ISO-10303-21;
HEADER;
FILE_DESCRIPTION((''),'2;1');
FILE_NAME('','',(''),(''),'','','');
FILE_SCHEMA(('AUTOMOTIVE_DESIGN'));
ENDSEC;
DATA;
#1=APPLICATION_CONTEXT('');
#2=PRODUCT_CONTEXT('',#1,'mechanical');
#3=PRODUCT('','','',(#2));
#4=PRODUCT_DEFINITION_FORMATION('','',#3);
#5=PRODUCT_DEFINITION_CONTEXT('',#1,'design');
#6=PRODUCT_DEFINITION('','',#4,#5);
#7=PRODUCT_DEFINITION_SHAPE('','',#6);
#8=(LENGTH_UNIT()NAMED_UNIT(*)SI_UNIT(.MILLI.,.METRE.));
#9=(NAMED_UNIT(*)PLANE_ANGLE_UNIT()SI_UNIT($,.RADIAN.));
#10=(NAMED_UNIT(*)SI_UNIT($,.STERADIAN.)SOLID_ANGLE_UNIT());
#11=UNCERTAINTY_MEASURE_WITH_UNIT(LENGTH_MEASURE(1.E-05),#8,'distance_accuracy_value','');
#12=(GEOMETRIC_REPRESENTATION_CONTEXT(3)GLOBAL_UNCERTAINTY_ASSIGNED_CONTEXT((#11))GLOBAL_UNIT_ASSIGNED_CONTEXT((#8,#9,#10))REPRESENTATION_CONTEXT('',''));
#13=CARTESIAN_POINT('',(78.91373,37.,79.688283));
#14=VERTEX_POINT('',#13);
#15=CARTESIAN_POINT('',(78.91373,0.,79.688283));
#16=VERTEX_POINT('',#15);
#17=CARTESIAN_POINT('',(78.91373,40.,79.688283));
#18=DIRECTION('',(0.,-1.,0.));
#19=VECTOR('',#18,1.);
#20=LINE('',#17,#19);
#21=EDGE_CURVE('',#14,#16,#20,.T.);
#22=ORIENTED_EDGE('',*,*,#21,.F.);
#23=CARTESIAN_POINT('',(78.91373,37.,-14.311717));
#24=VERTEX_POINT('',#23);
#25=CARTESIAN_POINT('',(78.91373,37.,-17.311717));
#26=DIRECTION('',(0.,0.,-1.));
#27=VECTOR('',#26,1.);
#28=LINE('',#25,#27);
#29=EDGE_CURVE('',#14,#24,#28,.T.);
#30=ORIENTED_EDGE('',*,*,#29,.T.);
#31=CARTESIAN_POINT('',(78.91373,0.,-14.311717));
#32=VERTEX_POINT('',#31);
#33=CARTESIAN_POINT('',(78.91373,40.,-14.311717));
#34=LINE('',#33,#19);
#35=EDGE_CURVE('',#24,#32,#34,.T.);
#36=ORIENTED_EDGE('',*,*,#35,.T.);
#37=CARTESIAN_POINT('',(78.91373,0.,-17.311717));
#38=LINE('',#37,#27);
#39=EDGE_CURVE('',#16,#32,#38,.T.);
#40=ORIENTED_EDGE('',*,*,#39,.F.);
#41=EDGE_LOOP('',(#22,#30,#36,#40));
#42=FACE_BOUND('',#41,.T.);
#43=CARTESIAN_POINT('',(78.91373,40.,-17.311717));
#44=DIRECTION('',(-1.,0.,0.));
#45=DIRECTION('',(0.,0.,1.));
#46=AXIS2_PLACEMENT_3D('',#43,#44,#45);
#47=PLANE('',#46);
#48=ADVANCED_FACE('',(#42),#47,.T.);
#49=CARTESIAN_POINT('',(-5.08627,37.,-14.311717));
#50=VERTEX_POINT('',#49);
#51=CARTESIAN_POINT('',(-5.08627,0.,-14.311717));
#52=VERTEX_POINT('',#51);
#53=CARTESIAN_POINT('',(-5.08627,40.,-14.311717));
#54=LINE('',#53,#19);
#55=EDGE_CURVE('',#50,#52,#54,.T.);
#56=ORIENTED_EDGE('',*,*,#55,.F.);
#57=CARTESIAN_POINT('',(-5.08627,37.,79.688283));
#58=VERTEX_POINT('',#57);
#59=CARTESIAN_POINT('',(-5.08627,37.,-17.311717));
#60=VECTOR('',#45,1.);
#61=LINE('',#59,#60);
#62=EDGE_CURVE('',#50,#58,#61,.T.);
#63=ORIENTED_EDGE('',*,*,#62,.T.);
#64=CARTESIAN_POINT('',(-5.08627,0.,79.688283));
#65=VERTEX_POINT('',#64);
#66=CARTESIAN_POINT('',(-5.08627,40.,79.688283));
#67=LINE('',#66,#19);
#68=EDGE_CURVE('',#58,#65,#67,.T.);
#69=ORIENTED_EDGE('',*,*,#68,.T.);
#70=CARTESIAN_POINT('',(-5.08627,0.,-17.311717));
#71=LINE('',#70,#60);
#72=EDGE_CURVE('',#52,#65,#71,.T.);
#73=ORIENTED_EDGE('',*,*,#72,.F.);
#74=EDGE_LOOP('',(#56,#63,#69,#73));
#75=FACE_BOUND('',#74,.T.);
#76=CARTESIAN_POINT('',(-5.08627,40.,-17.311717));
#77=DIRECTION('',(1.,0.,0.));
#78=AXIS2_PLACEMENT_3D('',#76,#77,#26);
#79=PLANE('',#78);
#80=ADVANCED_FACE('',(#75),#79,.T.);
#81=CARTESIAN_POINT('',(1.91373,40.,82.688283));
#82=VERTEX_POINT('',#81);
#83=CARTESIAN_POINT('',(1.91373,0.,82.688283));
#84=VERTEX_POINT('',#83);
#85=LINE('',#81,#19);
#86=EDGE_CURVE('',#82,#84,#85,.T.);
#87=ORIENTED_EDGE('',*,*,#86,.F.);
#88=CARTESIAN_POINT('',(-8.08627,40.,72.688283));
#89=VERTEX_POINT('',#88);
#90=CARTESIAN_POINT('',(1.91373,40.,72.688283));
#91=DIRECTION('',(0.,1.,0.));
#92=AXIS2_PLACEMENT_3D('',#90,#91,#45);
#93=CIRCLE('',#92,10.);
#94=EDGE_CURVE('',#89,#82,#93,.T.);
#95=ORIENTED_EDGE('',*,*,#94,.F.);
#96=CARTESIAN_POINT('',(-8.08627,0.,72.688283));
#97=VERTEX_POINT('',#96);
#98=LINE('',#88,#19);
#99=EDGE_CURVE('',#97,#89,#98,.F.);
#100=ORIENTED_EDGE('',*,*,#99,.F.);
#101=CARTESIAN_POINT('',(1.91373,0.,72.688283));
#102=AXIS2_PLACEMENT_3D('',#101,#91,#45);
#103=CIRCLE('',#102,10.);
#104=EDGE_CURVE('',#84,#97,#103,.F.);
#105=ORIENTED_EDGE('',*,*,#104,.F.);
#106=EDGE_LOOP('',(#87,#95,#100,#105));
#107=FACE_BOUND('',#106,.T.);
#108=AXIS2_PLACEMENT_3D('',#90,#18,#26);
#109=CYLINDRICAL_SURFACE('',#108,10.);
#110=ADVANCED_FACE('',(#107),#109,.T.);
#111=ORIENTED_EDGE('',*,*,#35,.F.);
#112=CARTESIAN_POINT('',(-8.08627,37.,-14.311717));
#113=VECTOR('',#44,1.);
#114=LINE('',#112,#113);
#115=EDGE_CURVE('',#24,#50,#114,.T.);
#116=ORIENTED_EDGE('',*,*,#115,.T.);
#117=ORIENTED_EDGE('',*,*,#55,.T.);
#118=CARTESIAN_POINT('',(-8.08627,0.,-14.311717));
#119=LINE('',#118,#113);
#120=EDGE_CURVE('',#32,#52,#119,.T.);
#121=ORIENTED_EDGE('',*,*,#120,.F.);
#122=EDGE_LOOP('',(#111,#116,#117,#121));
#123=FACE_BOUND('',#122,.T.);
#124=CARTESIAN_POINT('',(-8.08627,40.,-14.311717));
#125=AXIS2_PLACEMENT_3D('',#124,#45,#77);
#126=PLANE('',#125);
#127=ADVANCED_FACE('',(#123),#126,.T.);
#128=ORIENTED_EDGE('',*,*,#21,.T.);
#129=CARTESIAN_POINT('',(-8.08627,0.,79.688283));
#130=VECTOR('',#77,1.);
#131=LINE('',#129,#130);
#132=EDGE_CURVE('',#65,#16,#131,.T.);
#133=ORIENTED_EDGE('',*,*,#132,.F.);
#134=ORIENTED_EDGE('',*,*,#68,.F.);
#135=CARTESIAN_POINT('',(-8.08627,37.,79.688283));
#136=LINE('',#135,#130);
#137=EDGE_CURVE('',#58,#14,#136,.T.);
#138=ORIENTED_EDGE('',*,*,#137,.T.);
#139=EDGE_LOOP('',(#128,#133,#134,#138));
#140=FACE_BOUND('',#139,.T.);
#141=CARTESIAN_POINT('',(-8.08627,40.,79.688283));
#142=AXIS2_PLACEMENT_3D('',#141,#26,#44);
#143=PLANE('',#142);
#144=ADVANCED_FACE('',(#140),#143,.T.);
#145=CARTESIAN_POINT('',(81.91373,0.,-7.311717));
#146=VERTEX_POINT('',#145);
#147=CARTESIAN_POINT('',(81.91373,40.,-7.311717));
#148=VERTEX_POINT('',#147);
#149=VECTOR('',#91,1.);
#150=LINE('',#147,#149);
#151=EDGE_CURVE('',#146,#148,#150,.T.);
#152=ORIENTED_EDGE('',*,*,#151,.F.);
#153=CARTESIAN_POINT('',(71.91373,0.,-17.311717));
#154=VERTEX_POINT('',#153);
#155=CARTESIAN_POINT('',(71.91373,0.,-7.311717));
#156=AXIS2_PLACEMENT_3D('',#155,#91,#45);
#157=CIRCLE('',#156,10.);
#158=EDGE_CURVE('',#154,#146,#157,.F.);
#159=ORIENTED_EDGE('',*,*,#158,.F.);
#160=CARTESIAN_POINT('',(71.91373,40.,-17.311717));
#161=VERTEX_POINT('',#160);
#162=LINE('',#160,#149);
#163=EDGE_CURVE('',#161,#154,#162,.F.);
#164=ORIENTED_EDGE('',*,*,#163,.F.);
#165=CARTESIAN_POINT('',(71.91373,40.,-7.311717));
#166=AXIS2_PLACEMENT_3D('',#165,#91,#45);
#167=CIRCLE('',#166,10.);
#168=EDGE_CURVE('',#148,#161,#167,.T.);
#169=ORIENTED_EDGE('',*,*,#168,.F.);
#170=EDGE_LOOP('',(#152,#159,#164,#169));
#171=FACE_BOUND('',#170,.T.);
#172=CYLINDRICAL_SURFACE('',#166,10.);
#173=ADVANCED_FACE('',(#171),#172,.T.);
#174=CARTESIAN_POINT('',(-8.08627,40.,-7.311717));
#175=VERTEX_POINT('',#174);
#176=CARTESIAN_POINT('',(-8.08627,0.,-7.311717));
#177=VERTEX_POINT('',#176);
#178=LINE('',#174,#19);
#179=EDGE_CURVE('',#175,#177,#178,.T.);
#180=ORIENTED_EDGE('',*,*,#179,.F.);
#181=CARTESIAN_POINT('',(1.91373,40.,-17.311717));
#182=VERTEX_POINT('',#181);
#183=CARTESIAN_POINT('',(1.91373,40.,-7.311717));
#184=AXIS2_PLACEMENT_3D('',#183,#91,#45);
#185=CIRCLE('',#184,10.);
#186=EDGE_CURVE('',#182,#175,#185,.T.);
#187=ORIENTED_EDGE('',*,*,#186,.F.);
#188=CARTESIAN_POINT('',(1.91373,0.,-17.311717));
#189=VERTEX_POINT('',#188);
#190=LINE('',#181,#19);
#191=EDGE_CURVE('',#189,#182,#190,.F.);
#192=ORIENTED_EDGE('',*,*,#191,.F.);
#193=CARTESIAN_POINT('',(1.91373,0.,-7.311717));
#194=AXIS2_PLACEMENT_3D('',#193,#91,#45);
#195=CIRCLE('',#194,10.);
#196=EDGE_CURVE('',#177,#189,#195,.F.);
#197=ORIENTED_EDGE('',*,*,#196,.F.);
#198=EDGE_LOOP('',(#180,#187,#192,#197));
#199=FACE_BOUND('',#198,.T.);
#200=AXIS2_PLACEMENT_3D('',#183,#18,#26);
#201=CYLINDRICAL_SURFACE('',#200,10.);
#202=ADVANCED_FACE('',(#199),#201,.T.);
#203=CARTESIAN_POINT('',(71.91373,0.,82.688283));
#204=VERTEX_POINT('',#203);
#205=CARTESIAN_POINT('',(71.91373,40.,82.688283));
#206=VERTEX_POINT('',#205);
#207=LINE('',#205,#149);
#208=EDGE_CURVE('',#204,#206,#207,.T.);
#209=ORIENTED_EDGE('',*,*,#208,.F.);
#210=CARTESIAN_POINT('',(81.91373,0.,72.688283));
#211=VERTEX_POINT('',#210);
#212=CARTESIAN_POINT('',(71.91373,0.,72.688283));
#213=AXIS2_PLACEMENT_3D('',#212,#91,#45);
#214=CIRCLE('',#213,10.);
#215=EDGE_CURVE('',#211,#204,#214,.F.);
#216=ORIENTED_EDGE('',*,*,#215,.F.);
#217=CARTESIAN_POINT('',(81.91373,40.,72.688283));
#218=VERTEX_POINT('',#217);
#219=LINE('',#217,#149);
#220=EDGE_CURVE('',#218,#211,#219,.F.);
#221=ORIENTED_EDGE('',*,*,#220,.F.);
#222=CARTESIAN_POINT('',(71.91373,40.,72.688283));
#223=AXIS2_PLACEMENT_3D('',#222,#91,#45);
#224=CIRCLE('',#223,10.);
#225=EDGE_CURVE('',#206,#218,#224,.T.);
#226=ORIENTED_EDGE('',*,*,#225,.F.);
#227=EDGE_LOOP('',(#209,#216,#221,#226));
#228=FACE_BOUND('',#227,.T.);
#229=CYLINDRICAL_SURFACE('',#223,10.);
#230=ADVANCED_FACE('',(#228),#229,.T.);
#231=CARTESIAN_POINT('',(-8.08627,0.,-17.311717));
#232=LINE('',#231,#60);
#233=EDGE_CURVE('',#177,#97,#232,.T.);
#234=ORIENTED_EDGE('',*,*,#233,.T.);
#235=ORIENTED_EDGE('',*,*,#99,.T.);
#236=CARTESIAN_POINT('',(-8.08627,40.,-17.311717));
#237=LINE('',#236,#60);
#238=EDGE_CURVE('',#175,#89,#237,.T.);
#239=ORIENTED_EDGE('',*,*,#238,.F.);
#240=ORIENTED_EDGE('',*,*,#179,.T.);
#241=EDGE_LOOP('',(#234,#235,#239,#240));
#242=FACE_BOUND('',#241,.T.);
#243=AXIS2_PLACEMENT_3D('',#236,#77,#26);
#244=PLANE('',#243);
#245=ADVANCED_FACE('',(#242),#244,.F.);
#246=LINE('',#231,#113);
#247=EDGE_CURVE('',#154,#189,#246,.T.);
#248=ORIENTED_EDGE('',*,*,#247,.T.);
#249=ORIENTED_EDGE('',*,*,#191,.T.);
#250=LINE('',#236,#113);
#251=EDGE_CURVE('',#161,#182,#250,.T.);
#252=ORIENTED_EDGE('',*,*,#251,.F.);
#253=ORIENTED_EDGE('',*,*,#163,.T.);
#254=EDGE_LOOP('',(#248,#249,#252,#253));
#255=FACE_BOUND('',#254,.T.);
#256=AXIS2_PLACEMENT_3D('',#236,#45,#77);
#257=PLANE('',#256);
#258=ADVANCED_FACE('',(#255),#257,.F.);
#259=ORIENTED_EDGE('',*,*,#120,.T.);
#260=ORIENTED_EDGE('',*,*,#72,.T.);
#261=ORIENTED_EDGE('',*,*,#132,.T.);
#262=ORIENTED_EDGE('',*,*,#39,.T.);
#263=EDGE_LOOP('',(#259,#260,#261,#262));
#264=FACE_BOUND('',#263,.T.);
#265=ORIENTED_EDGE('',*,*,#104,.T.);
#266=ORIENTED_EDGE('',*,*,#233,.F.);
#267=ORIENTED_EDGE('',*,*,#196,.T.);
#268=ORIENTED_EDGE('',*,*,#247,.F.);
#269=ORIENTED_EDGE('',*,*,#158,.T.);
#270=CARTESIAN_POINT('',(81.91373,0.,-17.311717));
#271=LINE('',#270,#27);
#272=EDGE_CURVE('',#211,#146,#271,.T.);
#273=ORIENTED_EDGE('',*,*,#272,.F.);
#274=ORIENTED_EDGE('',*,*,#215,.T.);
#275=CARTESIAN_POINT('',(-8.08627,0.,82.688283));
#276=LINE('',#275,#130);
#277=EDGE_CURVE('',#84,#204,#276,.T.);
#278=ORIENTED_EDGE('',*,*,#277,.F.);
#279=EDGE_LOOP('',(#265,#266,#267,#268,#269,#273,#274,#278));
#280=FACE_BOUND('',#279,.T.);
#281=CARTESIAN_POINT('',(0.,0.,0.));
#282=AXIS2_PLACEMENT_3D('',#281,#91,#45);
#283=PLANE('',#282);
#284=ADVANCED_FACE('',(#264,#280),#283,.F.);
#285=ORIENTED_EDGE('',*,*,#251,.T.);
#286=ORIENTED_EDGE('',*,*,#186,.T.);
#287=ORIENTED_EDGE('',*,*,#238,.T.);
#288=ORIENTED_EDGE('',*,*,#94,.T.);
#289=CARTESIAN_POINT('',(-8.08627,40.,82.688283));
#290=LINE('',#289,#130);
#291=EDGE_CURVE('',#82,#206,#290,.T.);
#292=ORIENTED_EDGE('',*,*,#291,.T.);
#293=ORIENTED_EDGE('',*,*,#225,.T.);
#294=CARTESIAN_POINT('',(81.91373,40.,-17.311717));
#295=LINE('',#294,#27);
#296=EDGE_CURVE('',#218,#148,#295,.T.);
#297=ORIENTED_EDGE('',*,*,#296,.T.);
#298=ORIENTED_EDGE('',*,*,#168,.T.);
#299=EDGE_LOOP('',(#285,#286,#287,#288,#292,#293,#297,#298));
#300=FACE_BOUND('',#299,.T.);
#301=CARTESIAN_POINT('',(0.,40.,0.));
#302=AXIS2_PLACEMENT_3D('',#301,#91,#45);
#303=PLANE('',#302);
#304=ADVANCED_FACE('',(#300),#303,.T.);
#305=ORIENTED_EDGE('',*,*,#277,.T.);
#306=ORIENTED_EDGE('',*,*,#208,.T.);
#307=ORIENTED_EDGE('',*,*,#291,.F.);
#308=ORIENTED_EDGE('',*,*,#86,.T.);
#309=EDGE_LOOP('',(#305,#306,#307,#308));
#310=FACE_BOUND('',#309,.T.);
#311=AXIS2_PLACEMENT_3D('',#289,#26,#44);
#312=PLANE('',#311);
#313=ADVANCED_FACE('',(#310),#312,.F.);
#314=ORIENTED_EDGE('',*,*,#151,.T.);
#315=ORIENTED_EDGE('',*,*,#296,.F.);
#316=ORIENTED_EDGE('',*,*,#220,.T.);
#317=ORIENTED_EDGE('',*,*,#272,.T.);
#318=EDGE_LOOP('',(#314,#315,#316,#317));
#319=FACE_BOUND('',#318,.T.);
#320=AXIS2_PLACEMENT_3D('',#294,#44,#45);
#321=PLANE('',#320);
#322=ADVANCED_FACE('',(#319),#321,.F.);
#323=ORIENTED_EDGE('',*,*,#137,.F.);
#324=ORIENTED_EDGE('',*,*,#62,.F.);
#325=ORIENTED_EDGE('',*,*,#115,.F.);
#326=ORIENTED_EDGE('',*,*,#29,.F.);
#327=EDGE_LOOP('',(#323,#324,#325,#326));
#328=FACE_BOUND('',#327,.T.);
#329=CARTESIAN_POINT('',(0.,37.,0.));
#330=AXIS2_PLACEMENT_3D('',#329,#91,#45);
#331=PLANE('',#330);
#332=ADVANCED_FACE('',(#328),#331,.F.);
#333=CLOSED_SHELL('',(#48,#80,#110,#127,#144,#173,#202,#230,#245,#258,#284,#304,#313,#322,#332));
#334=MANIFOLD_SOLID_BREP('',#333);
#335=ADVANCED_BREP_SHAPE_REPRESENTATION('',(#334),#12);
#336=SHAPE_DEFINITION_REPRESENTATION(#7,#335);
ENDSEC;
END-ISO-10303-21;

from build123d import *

# Parameters (mm, degrees)
SKETCH1_W           = 90
SKETCH1_H           = 100
BOSS_EXTRUDE1_DEPTH = 40
SHELL1_T            = -3
FILLET1_R           = 10
FILLET2_R           = 10
FILLET3_R           = 10
FILLET4_R           = 10


with BuildPart() as part:
    # Sketch1 → Boss-Extrude1 (new body)
    with BuildSketch(Plane(origin=(0, 0, 0), x_dir=(1, 0, 0), z_dir=(0, 1, 0))):
        with Locations((36.913730494, -32.688282622)):
            Rectangle(SKETCH1_W, SKETCH1_H)
    extrude(amount=BOSS_EXTRUDE1_DEPTH)

    # Shell1
    shell1_openings = [part.faces().sort_by_distance(p)[0] for p in [
        (36.913730494, 0, 32.688282622),
    ]]
    offset(amount=SHELL1_T, openings=shell1_openings, kind=Kind.INTERSECTION)

    # Fillet1
    fillet1_edges = [part.edges().sort_by_distance(p)[0] for p in [
        (81.913730494, 20, 82.688282622),
    ]]
    fillet(fillet1_edges, radius=FILLET1_R)

    # Fillet2
    fillet2_edges = [part.edges().sort_by_distance(p)[0] for p in [
        (-8.086269506, 20, 82.688282622),
    ]]
    fillet(fillet2_edges, radius=FILLET2_R)

    # Fillet3
    fillet3_edges = [part.edges().sort_by_distance(p)[0] for p in [
        (81.913730494, 20, -17.311717378),
    ]]
    fillet(fillet3_edges, radius=FILLET3_R)

    # Fillet4
    fillet4_edges = [part.edges().sort_by_distance(p)[0] for p in [
        (-8.086269506, 20, -17.311717378),
    ]]
    fillet(fillet4_edges, radius=FILLET4_R)


solid = part.part
